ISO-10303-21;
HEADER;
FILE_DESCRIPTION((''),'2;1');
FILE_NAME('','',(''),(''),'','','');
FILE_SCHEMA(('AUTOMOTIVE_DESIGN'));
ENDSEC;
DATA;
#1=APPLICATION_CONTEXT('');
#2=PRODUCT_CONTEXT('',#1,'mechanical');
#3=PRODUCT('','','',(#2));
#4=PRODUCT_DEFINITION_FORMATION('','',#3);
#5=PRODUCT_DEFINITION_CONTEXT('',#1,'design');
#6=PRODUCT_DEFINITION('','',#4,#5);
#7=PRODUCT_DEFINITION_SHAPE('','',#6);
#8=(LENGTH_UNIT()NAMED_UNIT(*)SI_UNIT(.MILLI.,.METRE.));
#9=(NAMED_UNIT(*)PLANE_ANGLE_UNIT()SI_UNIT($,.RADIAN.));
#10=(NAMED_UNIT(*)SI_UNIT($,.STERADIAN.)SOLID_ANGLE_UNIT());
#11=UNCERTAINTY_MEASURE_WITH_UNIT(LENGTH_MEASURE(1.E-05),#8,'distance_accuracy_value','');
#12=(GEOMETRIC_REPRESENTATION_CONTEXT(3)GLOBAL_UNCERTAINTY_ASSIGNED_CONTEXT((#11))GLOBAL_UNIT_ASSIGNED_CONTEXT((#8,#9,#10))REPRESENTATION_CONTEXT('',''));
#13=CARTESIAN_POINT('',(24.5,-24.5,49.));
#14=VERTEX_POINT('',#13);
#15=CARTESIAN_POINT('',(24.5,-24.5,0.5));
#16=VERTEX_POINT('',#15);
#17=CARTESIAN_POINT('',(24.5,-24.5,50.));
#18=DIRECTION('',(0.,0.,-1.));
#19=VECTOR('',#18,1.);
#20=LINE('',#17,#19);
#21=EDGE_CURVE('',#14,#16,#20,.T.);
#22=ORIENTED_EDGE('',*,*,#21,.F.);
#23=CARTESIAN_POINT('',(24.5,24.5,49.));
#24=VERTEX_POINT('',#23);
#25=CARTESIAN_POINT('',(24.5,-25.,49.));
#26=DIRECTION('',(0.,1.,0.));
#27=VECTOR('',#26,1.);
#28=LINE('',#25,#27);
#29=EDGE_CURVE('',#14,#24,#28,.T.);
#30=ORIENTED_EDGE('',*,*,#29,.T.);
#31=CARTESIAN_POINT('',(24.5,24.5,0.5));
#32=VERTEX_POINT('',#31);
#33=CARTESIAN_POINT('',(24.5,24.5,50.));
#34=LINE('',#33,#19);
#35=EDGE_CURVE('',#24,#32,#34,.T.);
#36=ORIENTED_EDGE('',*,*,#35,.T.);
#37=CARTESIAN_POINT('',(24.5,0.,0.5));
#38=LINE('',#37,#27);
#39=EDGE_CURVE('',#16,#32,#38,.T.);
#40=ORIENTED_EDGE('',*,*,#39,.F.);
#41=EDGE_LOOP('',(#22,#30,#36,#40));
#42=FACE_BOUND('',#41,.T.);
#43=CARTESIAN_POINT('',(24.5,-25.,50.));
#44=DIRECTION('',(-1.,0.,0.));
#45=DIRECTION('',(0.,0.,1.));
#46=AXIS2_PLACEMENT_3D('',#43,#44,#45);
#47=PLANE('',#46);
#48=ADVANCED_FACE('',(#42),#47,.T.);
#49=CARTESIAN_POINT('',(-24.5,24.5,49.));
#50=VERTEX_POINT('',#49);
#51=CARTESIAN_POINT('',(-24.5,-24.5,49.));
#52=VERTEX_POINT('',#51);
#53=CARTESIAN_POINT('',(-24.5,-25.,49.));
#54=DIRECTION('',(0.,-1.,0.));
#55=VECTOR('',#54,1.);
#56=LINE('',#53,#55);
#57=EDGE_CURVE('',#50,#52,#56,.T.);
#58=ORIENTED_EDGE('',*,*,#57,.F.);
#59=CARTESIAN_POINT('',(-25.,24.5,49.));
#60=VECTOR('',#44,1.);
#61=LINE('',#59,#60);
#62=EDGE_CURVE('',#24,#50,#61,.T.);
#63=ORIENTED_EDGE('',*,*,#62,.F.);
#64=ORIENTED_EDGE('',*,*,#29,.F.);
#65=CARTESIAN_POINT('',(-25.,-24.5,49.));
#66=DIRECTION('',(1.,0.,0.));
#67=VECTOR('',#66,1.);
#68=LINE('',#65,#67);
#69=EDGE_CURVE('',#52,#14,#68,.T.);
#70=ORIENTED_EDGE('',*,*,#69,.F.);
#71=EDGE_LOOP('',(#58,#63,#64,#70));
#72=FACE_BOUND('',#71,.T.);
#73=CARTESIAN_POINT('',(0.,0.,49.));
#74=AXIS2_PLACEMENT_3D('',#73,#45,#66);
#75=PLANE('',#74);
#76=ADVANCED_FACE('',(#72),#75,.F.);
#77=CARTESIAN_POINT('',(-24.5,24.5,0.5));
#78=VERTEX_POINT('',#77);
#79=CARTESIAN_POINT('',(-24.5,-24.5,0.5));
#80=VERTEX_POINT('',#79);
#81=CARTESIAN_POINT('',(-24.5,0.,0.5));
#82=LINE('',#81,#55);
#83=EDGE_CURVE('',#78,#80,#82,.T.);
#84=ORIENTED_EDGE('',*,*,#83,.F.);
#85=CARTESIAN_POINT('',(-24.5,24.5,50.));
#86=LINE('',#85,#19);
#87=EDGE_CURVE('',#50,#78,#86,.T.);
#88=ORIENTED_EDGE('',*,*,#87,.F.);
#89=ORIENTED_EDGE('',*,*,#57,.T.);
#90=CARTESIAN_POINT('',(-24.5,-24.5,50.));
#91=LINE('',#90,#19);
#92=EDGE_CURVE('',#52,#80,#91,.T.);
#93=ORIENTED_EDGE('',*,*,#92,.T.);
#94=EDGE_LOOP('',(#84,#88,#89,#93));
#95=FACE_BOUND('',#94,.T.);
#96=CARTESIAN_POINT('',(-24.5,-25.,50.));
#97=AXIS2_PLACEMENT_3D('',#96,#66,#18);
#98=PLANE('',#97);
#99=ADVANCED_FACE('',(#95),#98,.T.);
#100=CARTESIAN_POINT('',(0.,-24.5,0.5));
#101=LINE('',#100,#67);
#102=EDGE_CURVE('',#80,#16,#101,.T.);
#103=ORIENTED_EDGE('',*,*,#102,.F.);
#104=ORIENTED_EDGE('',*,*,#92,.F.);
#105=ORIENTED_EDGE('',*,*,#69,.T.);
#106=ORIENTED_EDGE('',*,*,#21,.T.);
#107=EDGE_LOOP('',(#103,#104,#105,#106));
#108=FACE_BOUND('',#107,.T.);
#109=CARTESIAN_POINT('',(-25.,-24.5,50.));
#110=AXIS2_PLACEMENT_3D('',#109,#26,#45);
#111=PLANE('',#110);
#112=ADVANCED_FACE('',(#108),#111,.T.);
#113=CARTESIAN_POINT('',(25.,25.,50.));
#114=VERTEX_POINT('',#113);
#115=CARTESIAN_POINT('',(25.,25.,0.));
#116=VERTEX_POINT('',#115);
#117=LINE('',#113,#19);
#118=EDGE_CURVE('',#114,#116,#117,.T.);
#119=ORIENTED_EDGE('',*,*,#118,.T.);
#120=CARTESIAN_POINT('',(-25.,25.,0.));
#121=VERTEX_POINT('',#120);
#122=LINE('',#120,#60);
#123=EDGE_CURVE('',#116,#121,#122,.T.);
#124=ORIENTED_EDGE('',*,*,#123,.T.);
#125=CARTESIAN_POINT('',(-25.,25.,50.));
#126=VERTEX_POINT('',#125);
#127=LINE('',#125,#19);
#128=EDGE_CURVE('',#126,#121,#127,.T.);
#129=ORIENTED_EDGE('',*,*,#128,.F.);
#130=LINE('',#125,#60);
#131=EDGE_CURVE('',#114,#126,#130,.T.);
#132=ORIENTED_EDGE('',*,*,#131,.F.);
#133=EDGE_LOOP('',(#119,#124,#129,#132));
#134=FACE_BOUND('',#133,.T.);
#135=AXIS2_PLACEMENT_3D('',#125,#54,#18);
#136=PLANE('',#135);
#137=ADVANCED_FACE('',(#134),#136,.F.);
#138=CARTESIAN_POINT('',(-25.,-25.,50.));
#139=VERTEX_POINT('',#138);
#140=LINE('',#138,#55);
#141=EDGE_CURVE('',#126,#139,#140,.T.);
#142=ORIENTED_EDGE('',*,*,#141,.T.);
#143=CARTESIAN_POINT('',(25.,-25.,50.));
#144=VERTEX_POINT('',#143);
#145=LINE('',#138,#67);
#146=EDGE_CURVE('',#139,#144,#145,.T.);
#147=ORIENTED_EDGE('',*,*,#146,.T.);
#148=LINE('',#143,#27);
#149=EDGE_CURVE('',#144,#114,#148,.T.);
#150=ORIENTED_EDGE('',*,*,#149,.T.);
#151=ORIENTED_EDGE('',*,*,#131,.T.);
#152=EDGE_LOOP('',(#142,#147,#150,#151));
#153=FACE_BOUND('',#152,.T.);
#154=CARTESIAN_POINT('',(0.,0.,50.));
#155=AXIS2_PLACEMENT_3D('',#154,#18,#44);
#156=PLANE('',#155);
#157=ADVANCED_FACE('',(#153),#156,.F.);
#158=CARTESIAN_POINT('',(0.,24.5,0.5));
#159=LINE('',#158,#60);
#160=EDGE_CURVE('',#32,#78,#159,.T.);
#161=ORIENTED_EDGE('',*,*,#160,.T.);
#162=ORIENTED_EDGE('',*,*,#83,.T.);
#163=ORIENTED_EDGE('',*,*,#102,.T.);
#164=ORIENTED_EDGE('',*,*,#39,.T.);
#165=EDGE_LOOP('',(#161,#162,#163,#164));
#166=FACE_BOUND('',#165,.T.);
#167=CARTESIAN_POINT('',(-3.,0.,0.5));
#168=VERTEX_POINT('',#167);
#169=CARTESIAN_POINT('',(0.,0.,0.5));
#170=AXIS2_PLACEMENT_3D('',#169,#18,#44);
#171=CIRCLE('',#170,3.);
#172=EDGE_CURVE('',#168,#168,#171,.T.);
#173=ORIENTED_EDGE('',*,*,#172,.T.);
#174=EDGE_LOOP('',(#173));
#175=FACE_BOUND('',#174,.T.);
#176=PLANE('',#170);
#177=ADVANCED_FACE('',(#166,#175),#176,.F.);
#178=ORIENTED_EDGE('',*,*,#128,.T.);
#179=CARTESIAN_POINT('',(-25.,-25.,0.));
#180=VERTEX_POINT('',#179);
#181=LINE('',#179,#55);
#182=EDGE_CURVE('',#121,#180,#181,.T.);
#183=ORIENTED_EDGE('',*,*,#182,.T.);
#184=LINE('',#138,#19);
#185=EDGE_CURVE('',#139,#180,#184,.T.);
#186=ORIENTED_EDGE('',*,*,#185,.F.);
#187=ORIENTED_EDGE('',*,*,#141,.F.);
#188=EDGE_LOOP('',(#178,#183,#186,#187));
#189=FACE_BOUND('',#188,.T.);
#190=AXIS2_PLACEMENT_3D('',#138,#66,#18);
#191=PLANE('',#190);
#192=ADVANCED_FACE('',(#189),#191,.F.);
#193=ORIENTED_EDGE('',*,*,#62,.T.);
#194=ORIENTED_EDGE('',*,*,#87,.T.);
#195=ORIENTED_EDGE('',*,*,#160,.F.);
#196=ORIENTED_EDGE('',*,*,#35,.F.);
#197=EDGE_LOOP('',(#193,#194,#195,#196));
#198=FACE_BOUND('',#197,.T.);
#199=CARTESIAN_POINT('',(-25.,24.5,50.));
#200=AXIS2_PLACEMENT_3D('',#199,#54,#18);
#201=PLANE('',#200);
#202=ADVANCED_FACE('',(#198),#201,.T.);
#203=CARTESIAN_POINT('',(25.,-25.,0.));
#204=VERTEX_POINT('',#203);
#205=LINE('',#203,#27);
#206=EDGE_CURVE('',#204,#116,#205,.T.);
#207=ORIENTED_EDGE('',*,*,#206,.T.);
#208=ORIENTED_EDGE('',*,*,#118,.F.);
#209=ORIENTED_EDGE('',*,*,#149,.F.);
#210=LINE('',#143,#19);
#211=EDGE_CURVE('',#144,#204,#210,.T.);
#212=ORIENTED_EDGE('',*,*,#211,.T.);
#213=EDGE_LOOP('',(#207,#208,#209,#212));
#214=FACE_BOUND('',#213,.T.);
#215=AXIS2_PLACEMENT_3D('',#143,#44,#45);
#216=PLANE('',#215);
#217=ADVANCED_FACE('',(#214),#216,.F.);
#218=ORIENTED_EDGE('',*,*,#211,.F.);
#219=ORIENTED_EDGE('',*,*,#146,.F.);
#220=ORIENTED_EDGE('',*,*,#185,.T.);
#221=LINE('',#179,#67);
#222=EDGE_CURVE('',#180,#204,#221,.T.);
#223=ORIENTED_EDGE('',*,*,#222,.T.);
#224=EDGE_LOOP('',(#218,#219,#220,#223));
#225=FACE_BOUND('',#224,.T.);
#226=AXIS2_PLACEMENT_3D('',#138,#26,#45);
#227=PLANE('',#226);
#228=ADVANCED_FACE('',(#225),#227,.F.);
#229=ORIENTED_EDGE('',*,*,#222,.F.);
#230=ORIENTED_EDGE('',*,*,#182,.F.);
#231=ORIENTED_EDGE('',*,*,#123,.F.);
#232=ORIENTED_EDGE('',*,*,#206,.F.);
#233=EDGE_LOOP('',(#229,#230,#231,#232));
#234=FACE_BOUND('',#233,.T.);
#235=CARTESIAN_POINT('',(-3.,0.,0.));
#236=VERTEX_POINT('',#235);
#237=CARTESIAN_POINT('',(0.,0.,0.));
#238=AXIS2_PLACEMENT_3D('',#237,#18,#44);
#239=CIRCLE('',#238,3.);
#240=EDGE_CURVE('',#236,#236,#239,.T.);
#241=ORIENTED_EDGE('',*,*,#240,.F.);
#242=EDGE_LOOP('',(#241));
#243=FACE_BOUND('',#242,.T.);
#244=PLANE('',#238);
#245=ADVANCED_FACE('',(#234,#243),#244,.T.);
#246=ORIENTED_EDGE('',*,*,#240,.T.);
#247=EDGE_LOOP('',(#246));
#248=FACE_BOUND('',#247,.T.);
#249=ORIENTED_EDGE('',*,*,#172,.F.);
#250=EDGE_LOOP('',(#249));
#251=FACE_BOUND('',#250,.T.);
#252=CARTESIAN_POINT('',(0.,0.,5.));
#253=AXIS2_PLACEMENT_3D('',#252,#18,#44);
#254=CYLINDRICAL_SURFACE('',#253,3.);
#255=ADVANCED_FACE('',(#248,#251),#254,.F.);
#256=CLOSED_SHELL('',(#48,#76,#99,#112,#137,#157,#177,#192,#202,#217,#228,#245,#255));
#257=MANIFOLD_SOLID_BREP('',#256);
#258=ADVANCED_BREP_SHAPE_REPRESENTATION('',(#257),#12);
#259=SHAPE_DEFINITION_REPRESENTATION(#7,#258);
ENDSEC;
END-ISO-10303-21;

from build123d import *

# Parameters (mm, degrees)
ESQUISSE1_W             = 50
ESQUISSE1_H             = 50
BOSS_EXTRU_1_DEPTH      = 50
COQUE2_T                = -0.5
ESQUISSE2_R             = 3
ENL_V_MAT_EXTRU_1_DEPTH = 5
ESQUISSE3_W             = 50
ESQUISSE3_H             = 50
BOSS_EXTRU_2_DEPTH      = 1


with BuildPart() as part:
    # Esquisse1 → Boss.-Extru.1 (new body)
    with BuildSketch(Plane.XY):
        Rectangle(ESQUISSE1_W, ESQUISSE1_H)
    extrude(amount=BOSS_EXTRU_1_DEPTH)

    # Coque2
    coque2_openings = [part.faces().sort_by_distance(p)[0] for p in [
        (0, 0, 50),
    ]]
    offset(amount=COQUE2_T, openings=coque2_openings, kind=Kind.INTERSECTION)

    # Esquisse2 → Enl_v. mat.-Extru.1 (cut)
    with BuildSketch(Plane(origin=(0, 0, 0), x_dir=(-1, 0, 0), z_dir=(0, 0, -1))):
        Circle(ESQUISSE2_R)
    extrude(amount=-ENL_V_MAT_EXTRU_1_DEPTH, mode=Mode.SUBTRACT)

    # Esquisse3 → Boss.-Extru.2 (add)
    with BuildSketch(Plane.XY.offset(50)):
        Rectangle(ESQUISSE3_W, ESQUISSE3_H)
    extrude(amount=-BOSS_EXTRU_2_DEPTH)


solid = part.part
